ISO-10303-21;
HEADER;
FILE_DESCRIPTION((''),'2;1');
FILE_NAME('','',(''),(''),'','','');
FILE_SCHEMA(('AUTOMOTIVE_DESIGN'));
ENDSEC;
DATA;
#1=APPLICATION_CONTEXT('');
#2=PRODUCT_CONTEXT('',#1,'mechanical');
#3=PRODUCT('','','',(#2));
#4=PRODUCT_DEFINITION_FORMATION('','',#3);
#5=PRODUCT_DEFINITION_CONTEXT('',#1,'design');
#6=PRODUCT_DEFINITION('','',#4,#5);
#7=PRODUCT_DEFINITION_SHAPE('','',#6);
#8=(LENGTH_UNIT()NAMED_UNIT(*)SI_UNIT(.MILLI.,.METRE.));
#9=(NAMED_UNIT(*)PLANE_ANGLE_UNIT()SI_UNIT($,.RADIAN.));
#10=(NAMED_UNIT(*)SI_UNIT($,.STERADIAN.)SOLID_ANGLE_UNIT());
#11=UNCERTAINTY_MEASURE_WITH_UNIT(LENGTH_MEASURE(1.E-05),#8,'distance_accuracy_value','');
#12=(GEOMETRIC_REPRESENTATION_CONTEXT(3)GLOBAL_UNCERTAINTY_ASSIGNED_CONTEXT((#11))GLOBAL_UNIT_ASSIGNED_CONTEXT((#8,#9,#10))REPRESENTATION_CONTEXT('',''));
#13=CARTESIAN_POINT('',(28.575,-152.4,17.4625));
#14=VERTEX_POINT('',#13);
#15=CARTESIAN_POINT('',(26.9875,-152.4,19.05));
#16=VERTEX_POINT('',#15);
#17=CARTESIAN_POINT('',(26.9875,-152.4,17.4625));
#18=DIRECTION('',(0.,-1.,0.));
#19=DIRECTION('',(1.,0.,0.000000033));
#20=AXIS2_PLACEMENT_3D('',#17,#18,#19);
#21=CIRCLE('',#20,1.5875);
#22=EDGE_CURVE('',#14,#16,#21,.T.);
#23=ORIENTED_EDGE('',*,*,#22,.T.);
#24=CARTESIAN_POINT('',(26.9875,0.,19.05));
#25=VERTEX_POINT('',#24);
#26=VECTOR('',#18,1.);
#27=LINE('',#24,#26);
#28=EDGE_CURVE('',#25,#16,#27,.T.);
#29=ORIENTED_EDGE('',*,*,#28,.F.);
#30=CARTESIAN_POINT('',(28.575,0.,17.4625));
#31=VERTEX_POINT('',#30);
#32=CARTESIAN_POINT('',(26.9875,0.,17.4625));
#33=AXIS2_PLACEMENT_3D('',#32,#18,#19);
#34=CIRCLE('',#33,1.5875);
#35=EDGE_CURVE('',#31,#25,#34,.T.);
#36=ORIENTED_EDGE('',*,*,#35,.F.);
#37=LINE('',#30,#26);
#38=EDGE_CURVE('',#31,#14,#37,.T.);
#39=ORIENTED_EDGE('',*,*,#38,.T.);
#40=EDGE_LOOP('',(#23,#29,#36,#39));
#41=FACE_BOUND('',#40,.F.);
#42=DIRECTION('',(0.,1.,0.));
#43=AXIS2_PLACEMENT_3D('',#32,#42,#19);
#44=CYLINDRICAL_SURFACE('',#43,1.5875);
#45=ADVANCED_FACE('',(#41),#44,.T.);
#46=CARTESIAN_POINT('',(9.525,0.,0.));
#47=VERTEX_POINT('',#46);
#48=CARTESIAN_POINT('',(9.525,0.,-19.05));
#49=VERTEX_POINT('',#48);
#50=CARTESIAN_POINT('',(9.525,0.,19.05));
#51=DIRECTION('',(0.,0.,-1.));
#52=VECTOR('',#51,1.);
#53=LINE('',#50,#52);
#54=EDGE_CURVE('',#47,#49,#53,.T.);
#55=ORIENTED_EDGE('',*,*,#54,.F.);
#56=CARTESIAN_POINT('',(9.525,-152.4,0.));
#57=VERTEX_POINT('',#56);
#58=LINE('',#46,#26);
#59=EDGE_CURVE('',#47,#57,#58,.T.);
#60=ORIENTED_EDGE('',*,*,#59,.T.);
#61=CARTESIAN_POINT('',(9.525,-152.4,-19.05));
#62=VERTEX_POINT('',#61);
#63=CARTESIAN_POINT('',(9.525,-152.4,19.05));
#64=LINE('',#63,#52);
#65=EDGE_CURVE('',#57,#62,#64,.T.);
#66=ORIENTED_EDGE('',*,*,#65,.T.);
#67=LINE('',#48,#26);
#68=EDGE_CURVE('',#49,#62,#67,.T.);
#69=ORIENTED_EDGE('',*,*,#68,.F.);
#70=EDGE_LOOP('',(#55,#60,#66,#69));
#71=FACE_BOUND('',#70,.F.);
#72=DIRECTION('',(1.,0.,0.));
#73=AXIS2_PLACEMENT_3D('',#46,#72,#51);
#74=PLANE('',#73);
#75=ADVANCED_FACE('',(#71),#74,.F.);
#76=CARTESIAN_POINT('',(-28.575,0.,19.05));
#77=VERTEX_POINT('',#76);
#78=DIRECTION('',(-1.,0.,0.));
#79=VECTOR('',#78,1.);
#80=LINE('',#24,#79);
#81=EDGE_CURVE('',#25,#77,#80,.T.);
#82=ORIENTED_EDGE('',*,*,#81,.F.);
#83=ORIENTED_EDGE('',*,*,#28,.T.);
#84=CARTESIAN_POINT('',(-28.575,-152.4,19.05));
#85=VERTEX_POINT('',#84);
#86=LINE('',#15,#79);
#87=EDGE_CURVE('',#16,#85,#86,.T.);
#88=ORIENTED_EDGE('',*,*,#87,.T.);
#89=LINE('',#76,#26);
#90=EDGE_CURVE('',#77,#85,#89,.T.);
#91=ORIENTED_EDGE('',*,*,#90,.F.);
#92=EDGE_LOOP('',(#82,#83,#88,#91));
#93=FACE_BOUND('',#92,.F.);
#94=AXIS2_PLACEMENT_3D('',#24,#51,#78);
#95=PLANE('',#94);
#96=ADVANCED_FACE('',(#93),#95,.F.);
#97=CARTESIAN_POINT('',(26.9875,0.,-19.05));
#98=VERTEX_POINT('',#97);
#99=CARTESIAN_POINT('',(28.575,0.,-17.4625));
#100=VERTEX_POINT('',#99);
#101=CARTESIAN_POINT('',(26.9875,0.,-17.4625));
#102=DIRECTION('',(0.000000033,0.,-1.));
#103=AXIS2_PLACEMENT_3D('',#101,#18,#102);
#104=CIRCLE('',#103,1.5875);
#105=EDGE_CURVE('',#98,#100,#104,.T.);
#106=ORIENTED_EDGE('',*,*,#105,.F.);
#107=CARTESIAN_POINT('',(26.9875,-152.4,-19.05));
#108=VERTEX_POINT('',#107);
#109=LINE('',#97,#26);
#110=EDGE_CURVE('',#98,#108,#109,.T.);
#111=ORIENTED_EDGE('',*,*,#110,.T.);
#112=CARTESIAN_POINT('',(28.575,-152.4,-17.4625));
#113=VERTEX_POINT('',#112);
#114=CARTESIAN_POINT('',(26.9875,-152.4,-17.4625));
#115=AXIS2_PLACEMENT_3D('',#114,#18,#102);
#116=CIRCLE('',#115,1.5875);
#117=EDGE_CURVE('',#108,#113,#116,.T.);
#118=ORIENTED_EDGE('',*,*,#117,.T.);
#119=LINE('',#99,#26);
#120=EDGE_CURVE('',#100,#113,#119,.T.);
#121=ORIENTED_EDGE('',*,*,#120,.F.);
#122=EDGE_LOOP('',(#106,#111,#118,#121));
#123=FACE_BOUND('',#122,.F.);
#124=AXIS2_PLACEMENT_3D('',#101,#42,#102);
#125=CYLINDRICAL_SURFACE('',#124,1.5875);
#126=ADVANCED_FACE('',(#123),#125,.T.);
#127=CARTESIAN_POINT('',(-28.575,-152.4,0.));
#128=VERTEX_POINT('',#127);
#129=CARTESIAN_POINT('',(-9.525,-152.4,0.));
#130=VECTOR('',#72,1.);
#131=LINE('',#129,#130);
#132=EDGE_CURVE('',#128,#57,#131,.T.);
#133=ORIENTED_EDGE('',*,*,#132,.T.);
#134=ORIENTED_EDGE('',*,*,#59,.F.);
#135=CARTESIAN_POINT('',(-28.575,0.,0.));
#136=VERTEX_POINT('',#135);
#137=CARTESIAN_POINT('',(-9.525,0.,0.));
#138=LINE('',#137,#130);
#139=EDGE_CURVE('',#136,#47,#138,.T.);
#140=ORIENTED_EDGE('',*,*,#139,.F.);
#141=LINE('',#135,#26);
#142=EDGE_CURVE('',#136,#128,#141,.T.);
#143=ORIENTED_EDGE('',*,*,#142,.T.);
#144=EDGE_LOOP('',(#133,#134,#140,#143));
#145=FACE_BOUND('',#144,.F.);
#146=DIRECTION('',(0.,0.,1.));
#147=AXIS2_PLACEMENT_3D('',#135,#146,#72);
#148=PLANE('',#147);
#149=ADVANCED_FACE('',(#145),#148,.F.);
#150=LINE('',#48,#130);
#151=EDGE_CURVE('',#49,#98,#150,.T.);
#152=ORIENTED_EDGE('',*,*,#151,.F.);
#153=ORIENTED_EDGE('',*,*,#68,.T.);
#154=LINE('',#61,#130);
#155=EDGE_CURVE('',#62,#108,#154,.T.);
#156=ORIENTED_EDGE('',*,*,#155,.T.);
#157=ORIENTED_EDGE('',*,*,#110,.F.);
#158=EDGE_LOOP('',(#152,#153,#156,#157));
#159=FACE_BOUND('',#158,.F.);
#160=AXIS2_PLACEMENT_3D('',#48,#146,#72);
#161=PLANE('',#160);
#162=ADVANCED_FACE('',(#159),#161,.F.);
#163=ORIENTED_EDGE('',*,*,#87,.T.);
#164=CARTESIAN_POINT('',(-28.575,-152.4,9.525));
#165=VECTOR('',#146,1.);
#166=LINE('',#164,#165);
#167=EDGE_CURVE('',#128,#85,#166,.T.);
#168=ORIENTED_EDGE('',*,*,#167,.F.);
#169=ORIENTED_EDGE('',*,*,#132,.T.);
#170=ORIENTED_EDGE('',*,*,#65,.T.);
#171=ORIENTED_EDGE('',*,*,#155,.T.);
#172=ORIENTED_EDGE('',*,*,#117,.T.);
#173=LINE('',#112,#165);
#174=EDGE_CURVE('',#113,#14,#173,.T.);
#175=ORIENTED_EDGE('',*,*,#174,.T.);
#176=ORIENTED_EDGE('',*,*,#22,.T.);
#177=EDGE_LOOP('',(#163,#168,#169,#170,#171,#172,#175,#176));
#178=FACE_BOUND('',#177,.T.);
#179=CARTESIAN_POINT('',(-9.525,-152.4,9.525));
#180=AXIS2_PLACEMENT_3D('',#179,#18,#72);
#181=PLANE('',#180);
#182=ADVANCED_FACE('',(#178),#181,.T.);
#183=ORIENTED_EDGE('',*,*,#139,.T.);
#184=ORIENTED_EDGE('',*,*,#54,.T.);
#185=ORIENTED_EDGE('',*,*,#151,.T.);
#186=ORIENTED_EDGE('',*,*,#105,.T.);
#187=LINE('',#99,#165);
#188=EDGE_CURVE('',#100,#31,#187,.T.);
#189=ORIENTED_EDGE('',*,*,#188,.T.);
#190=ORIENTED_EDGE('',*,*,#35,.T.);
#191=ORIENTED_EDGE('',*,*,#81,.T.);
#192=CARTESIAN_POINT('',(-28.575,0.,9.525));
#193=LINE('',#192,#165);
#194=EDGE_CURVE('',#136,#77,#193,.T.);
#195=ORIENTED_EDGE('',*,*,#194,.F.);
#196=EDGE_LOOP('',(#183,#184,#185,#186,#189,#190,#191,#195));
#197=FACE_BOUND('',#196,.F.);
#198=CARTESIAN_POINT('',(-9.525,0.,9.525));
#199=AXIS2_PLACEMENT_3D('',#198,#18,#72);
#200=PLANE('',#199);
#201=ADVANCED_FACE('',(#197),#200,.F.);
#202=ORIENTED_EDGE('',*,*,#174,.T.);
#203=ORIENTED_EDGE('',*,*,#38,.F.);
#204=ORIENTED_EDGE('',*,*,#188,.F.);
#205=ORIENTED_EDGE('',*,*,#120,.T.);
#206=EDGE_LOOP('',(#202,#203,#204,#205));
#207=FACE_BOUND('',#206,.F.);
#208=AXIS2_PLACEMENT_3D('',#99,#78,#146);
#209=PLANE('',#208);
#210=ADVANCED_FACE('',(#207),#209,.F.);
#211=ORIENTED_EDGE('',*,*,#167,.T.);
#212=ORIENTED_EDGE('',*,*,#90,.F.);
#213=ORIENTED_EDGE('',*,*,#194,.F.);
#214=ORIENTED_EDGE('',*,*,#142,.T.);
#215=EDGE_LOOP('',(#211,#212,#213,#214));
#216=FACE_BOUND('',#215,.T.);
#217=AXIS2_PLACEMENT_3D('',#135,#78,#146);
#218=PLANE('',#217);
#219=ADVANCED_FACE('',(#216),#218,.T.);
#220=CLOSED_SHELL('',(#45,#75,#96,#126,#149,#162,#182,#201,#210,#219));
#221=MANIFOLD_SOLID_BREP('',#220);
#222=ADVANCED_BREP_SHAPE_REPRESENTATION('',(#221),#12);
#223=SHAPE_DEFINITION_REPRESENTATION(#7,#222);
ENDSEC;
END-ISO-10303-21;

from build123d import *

# Parameters (mm, degrees)
F0_W     = 38.1
F0_H     = 19.05
F1_DEPTH = 152.4


with BuildPart() as f1:
    # F0 (on Front) → F1 (new body)
    with BuildSketch(Plane.XZ):
        with Locations((-9.525, 9.525)):
            Rectangle(F0_W, F0_H)
        with BuildLine():
            Line((26.9875, 19.05), (9.525, 19.05))
            Line((9.525, 19.05), (9.525, 0))
            Line((9.525, 0), (9.525, -19.05))
            Line((9.525, -19.05), (26.9875, -19.05))
            ThreePointArc((26.9875, -19.05), (28.110032, -18.585032), (28.575, -17.4625))
            Line((28.575, -17.4625), (28.575, 17.4625))
            ThreePointArc((28.575, 17.4625), (28.110032, 18.585032), (26.9875, 19.05))
        make_face()
    extrude(amount=F1_DEPTH)


solid = f1.part
